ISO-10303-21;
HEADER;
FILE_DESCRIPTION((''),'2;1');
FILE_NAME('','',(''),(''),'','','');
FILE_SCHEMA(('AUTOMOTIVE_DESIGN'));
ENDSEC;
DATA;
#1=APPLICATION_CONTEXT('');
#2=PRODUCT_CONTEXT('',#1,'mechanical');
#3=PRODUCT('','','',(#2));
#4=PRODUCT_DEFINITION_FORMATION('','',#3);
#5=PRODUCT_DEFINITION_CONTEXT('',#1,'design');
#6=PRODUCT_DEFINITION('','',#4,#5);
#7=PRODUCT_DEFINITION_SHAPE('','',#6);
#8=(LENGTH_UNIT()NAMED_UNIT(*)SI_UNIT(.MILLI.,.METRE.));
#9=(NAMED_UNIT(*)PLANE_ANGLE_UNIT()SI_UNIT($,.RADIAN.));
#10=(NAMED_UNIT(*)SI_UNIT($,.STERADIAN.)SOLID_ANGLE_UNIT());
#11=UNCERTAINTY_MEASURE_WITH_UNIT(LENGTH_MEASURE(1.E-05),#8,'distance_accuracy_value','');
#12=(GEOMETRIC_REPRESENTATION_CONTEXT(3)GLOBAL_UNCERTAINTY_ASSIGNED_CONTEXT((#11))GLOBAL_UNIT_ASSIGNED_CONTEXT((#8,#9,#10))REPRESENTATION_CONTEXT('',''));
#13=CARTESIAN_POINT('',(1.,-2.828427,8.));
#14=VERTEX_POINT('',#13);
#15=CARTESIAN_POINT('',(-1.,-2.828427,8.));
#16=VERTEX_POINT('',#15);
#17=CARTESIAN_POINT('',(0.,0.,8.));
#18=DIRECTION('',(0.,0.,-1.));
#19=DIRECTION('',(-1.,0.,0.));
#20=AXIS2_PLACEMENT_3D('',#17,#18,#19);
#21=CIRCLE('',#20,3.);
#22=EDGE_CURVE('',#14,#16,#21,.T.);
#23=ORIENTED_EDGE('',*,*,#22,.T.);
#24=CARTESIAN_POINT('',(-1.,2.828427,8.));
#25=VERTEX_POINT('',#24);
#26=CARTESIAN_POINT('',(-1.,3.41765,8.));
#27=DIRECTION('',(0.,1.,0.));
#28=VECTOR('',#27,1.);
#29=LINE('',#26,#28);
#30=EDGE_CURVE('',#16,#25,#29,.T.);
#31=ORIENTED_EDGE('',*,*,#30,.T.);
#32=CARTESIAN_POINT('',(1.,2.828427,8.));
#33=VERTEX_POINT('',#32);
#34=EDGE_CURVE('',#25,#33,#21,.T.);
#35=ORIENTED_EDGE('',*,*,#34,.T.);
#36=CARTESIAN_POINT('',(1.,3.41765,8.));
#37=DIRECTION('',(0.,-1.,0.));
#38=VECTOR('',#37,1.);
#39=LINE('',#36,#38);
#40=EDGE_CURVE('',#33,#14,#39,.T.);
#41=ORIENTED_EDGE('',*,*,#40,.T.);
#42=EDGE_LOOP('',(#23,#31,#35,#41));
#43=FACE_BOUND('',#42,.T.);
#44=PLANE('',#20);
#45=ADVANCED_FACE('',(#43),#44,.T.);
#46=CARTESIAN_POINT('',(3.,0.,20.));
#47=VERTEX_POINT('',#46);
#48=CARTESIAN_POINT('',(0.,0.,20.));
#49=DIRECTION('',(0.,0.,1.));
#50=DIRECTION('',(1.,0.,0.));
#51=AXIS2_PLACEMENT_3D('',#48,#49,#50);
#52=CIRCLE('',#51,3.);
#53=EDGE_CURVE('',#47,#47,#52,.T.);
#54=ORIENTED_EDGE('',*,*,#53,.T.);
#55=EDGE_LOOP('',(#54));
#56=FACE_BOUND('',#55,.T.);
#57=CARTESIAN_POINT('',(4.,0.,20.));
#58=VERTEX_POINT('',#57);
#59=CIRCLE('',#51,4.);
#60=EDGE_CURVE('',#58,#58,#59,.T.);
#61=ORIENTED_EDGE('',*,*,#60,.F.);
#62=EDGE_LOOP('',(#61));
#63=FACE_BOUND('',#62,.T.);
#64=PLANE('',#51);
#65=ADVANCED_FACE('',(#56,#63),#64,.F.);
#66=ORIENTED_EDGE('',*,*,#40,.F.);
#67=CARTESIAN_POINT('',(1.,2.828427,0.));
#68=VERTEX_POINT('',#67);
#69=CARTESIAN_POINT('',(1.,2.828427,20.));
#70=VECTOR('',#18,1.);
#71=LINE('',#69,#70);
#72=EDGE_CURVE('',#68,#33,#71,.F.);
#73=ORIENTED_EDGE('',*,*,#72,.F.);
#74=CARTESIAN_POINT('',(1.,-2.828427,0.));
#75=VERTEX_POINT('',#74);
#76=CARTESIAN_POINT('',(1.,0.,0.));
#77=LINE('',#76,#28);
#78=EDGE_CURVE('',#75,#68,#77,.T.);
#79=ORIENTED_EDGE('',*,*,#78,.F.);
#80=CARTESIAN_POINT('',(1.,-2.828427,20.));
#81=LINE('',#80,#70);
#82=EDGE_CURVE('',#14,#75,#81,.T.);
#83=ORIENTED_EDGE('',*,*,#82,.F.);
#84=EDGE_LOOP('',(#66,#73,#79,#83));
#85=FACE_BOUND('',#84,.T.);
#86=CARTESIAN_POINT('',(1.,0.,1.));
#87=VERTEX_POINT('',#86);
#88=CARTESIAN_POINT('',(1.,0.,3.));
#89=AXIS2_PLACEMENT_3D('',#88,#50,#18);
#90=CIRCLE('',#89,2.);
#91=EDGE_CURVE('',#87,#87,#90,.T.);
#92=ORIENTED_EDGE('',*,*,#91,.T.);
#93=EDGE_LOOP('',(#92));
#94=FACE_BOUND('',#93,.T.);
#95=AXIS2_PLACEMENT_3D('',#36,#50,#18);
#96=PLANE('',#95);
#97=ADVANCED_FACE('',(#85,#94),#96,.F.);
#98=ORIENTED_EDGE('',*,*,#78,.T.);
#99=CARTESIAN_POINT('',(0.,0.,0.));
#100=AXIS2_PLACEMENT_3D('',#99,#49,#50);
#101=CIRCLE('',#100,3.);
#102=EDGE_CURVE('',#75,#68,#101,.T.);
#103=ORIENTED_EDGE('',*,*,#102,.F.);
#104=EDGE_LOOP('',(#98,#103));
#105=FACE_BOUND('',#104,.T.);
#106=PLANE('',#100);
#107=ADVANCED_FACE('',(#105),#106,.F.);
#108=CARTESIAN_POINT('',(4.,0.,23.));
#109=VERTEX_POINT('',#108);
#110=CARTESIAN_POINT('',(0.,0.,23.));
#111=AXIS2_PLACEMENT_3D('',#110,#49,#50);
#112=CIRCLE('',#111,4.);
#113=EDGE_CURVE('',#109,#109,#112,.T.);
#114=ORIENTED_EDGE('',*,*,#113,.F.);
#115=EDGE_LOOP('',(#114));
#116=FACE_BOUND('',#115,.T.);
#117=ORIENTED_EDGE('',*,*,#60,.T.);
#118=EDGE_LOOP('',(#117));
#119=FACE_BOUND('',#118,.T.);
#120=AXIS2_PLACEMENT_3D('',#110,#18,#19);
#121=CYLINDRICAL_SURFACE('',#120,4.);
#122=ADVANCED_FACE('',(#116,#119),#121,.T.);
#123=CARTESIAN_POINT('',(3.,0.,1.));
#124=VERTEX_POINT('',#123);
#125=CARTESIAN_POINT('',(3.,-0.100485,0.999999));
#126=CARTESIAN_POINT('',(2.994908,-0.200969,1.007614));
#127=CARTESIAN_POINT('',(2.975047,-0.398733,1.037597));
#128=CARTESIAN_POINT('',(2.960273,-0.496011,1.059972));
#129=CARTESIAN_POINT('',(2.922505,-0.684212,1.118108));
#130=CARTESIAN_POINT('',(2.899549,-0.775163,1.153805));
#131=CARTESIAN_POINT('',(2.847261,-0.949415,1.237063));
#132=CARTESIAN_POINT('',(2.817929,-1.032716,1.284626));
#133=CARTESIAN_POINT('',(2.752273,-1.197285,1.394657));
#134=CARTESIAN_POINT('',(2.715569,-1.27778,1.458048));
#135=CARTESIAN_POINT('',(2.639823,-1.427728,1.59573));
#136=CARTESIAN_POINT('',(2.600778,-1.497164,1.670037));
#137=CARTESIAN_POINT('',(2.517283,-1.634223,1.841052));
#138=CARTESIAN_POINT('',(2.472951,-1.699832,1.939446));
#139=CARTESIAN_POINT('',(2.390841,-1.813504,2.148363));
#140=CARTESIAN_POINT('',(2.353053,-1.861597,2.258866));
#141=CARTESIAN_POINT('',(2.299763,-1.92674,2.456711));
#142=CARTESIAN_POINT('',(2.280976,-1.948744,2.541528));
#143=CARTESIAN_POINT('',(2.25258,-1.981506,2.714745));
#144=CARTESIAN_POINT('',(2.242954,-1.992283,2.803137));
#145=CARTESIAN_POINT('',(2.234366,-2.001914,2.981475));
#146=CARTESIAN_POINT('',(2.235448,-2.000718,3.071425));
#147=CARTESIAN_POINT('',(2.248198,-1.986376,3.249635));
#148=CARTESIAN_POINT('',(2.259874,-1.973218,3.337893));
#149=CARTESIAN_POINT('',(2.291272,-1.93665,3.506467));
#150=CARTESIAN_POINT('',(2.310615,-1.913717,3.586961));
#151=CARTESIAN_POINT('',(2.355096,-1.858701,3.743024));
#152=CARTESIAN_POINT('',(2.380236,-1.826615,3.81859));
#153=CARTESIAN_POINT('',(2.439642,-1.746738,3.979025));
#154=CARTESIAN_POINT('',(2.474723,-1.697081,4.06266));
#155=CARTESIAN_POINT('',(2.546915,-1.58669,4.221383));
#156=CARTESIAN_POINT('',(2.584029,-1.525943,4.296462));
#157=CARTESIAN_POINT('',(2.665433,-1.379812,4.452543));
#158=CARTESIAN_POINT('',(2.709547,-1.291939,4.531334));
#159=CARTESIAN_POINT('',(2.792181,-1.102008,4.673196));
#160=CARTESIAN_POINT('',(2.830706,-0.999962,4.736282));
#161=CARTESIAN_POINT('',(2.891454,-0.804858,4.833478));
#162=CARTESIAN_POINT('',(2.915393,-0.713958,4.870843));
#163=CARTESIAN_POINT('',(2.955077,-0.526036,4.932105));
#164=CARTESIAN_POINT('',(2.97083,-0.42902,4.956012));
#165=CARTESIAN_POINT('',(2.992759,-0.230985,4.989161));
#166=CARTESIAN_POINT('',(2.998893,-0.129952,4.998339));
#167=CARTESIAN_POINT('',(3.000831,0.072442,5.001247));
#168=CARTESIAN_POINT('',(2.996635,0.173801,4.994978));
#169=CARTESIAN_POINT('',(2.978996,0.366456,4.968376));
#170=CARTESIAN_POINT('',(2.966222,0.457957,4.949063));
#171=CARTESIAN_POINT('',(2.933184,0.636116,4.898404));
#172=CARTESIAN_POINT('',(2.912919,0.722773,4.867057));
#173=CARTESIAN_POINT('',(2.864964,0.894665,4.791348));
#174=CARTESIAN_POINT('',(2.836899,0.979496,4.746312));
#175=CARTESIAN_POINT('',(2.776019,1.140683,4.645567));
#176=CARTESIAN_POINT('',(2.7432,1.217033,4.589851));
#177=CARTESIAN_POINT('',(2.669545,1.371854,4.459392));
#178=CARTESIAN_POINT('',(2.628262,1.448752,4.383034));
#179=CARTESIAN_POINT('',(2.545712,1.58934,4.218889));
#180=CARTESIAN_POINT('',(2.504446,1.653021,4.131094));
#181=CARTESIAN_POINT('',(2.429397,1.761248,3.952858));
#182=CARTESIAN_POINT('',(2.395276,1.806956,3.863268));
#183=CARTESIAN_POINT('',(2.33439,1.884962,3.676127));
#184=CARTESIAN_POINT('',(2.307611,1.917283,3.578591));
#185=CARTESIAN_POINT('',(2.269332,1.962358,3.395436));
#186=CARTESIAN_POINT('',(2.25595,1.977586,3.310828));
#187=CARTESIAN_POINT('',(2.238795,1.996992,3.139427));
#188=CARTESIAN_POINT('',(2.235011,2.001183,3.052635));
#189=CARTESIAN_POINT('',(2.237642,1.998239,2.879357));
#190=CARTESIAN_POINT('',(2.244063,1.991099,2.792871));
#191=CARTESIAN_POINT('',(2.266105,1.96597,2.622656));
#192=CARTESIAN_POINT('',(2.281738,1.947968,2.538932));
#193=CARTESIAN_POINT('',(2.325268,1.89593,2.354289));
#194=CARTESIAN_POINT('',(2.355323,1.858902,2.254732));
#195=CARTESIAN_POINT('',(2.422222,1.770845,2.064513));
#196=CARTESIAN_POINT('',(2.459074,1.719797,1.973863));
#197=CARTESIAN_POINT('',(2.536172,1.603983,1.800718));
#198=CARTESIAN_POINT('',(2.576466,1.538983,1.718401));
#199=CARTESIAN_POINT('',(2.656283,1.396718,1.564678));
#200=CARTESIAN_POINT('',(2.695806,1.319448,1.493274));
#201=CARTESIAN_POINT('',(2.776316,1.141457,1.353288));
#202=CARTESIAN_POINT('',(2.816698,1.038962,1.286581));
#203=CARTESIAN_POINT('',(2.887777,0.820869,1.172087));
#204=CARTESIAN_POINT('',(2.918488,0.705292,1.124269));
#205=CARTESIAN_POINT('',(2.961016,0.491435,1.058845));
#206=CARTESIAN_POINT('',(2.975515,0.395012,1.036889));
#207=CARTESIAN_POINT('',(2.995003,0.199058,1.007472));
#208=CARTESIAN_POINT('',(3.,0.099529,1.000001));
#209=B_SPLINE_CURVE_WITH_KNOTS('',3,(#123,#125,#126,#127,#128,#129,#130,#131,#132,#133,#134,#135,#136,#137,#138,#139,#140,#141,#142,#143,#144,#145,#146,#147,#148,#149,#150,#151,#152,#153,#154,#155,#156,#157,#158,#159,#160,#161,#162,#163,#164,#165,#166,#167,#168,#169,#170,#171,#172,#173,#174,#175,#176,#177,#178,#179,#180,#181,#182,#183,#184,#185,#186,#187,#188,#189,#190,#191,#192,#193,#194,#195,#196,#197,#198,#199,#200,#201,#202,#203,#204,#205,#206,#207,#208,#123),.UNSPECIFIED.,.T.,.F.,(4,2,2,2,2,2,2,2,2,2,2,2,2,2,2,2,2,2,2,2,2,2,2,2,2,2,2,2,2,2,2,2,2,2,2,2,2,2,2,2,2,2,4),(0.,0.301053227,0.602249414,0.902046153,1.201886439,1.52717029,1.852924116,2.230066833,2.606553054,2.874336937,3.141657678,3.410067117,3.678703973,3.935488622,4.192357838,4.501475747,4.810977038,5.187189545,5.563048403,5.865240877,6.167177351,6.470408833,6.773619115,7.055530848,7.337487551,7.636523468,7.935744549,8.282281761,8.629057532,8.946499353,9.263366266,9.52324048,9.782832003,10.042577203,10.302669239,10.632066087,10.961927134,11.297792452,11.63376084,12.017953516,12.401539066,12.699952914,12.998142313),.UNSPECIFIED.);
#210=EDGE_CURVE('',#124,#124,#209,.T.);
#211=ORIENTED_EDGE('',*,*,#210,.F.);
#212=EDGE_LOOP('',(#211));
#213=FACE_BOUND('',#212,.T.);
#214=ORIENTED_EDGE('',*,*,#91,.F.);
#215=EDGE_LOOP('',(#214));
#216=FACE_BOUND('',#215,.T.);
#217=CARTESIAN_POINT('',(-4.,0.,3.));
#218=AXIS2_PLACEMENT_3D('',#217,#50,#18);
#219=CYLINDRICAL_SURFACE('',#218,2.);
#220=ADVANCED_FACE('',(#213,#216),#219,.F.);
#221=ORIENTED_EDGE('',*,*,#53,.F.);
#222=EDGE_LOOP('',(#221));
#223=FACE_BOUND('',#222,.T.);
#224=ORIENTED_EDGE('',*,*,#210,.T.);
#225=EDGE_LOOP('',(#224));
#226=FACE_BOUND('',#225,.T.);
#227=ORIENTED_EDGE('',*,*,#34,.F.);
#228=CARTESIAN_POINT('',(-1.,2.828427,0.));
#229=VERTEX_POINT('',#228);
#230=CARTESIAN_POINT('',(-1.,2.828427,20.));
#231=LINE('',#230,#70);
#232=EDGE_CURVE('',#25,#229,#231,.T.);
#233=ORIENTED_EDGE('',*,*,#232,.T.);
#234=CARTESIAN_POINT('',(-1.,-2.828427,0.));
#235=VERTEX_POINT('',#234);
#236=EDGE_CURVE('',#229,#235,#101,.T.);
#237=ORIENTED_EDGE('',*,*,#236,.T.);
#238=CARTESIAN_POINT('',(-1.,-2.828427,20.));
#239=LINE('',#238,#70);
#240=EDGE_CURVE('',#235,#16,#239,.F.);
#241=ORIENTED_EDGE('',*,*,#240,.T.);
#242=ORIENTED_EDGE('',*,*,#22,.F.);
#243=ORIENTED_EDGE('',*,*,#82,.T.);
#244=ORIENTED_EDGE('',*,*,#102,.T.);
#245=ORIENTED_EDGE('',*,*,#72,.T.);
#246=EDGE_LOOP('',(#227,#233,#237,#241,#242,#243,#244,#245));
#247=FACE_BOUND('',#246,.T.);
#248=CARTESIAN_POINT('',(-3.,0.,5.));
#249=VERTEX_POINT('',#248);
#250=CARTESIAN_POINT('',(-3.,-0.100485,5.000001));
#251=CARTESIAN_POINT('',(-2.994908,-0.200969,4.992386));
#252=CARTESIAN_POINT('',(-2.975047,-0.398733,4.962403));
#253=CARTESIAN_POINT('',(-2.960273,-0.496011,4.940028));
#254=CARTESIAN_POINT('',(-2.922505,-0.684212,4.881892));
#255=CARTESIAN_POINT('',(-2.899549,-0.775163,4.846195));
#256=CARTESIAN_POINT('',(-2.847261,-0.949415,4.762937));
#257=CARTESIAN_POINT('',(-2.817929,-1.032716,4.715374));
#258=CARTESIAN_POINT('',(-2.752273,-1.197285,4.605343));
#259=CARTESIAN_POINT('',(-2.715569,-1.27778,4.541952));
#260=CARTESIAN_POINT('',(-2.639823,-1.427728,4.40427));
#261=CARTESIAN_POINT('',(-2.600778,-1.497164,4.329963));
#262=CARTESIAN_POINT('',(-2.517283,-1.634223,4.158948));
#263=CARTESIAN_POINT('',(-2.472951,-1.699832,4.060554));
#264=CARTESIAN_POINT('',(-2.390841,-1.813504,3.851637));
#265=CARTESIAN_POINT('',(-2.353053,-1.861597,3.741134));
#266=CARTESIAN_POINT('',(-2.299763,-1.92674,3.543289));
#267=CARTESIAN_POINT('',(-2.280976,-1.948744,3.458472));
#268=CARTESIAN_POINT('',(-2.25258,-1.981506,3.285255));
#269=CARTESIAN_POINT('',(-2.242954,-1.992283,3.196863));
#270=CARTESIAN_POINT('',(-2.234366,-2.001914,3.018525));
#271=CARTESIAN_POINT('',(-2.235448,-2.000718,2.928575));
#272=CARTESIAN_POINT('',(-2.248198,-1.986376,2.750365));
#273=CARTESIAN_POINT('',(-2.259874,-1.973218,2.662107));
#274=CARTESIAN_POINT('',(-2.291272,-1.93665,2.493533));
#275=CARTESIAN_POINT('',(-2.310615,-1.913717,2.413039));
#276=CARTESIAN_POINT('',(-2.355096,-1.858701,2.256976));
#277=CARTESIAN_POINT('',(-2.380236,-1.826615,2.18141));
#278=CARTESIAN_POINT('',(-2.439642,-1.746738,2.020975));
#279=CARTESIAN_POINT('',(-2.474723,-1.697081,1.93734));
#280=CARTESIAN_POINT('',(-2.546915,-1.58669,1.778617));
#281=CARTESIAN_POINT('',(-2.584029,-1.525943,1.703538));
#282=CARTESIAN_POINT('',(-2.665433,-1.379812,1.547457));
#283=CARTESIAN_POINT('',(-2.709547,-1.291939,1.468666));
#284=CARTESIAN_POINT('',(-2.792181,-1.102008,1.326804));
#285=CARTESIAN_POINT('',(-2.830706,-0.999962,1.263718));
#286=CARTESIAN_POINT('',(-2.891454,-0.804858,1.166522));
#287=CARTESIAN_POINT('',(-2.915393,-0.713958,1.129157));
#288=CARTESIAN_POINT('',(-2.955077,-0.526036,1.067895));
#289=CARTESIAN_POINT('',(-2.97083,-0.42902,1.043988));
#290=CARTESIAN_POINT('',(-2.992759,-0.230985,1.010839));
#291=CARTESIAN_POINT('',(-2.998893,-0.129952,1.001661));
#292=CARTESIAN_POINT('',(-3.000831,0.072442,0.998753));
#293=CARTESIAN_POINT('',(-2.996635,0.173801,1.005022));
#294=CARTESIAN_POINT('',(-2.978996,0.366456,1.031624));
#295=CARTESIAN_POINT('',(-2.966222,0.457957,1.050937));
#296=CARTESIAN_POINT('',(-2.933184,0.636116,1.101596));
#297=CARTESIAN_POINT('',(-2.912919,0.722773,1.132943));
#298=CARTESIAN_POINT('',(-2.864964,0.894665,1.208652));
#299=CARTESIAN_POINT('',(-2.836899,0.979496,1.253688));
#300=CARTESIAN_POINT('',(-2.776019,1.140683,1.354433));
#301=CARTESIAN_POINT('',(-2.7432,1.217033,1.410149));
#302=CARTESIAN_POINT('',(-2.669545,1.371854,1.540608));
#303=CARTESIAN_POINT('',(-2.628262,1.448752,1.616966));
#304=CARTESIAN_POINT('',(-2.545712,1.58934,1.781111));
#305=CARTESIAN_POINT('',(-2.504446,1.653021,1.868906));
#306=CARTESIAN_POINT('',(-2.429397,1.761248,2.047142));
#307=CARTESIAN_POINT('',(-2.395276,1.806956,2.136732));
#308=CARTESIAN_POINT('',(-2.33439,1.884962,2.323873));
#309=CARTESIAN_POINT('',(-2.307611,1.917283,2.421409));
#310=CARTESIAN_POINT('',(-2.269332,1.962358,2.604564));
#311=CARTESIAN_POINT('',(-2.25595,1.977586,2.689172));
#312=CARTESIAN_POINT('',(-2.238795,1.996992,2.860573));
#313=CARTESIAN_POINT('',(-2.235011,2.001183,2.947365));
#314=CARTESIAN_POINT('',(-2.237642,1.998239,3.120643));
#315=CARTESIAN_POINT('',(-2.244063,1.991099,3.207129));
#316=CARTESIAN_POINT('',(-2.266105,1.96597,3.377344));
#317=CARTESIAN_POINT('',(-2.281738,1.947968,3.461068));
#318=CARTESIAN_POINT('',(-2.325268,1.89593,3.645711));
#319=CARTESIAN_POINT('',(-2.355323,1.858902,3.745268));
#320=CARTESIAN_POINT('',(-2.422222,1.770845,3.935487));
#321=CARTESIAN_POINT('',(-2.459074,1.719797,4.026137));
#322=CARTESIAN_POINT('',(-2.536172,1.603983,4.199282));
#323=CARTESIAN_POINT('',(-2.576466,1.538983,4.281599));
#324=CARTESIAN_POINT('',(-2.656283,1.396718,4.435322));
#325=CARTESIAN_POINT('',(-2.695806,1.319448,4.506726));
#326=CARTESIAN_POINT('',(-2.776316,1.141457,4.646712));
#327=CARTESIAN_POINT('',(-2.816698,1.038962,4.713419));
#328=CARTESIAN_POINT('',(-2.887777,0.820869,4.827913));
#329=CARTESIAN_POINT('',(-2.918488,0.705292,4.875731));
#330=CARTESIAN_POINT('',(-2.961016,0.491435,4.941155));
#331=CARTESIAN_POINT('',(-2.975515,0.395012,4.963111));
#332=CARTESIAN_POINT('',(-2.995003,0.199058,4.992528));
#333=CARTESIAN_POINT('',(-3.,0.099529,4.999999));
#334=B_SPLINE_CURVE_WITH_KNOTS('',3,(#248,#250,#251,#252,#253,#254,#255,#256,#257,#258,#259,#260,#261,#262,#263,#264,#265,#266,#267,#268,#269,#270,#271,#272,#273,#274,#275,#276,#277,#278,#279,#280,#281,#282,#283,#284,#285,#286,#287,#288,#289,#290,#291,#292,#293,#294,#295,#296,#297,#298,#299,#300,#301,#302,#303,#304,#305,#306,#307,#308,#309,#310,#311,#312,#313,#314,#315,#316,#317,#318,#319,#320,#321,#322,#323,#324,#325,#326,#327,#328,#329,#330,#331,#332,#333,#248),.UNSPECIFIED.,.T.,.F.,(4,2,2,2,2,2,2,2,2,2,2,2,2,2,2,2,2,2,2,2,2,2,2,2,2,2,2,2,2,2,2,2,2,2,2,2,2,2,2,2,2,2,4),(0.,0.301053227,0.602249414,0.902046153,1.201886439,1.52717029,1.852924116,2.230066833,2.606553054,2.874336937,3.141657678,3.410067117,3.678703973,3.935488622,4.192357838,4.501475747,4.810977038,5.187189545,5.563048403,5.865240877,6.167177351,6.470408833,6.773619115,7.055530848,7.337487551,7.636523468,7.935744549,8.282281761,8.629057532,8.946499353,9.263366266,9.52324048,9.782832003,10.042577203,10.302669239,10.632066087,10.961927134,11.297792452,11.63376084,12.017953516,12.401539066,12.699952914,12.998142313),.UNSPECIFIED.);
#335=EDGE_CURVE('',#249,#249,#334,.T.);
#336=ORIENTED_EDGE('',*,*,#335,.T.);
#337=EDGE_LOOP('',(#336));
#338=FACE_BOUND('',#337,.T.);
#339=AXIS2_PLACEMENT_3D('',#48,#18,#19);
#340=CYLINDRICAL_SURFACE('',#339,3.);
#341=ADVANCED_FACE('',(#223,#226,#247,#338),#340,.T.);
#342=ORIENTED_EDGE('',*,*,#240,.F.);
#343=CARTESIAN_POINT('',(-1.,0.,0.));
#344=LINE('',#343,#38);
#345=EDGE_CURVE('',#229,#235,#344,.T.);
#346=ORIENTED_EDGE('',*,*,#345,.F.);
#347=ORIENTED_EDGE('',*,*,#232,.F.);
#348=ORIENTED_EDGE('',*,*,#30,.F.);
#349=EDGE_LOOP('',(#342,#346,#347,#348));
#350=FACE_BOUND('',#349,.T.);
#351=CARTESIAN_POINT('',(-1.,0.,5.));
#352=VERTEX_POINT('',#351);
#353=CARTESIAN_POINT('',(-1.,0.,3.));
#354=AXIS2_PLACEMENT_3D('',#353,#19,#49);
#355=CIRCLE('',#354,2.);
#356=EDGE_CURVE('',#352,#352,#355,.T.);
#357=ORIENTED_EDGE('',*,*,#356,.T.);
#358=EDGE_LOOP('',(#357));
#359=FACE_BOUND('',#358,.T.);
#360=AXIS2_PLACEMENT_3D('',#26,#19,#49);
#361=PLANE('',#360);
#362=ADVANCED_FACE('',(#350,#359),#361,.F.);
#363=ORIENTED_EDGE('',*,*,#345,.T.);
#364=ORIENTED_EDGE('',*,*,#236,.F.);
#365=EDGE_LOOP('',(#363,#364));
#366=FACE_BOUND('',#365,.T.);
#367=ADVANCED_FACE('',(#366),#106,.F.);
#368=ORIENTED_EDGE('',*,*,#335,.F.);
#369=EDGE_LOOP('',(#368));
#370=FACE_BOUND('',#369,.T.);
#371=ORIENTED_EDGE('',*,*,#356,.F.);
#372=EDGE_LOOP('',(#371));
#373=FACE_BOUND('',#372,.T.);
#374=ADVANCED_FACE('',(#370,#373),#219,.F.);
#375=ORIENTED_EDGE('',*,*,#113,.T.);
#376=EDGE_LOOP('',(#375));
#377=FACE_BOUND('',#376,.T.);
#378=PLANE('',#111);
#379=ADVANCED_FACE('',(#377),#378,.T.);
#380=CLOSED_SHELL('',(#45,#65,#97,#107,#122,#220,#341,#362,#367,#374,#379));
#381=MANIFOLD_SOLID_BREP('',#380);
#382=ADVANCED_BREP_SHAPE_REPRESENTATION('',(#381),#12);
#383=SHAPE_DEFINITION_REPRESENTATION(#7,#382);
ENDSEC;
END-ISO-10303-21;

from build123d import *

# Parameters (mm, degrees)
SKETCH_1_R          = 3
EXTRUDE_1_DEPTH     = 20
SKETCH_2_R          = 4
EXTRUDE_2_DEPTH     = 3
SKETCH_4_W          = 2
SKETCH_4_H          = 6.835299346
CUT_EXTRUDE_1_DEPTH = 8
SKETCH_5_R          = 2
CUT_EXTRUDE_2_DEPTH = 4


with BuildPart() as part:
    # 草图1 → 凸台-拉伸1 (new body)
    with BuildSketch(Plane.XY):
        Circle(SKETCH_1_R)
    extrude(amount=EXTRUDE_1_DEPTH)

    # 草图2 → 凸台-拉伸2 (add)
    with BuildSketch(Plane.XY.offset(20)):
        Circle(SKETCH_2_R)
    extrude(amount=EXTRUDE_2_DEPTH)

    # 草图4 → 切除-拉伸1 (cut)
    with BuildSketch(Plane(origin=(0, 0, 0), x_dir=(-1, 0, 0), z_dir=(0, 0, -1))):
        Rectangle(SKETCH_4_W, SKETCH_4_H)
    extrude(amount=-CUT_EXTRUDE_1_DEPTH, mode=Mode.SUBTRACT)

    # 草图5 → 切除-拉伸2 (cut, symmetric)
    with BuildSketch(Plane(origin=(0, 0, 0), x_dir=(0, 0, -1), z_dir=(1, 0, 0))):
        with Locations((-3, 0)):
            Circle(SKETCH_5_R)
    extrude(amount=CUT_EXTRUDE_2_DEPTH, both=True, mode=Mode.SUBTRACT)


solid = part.part
